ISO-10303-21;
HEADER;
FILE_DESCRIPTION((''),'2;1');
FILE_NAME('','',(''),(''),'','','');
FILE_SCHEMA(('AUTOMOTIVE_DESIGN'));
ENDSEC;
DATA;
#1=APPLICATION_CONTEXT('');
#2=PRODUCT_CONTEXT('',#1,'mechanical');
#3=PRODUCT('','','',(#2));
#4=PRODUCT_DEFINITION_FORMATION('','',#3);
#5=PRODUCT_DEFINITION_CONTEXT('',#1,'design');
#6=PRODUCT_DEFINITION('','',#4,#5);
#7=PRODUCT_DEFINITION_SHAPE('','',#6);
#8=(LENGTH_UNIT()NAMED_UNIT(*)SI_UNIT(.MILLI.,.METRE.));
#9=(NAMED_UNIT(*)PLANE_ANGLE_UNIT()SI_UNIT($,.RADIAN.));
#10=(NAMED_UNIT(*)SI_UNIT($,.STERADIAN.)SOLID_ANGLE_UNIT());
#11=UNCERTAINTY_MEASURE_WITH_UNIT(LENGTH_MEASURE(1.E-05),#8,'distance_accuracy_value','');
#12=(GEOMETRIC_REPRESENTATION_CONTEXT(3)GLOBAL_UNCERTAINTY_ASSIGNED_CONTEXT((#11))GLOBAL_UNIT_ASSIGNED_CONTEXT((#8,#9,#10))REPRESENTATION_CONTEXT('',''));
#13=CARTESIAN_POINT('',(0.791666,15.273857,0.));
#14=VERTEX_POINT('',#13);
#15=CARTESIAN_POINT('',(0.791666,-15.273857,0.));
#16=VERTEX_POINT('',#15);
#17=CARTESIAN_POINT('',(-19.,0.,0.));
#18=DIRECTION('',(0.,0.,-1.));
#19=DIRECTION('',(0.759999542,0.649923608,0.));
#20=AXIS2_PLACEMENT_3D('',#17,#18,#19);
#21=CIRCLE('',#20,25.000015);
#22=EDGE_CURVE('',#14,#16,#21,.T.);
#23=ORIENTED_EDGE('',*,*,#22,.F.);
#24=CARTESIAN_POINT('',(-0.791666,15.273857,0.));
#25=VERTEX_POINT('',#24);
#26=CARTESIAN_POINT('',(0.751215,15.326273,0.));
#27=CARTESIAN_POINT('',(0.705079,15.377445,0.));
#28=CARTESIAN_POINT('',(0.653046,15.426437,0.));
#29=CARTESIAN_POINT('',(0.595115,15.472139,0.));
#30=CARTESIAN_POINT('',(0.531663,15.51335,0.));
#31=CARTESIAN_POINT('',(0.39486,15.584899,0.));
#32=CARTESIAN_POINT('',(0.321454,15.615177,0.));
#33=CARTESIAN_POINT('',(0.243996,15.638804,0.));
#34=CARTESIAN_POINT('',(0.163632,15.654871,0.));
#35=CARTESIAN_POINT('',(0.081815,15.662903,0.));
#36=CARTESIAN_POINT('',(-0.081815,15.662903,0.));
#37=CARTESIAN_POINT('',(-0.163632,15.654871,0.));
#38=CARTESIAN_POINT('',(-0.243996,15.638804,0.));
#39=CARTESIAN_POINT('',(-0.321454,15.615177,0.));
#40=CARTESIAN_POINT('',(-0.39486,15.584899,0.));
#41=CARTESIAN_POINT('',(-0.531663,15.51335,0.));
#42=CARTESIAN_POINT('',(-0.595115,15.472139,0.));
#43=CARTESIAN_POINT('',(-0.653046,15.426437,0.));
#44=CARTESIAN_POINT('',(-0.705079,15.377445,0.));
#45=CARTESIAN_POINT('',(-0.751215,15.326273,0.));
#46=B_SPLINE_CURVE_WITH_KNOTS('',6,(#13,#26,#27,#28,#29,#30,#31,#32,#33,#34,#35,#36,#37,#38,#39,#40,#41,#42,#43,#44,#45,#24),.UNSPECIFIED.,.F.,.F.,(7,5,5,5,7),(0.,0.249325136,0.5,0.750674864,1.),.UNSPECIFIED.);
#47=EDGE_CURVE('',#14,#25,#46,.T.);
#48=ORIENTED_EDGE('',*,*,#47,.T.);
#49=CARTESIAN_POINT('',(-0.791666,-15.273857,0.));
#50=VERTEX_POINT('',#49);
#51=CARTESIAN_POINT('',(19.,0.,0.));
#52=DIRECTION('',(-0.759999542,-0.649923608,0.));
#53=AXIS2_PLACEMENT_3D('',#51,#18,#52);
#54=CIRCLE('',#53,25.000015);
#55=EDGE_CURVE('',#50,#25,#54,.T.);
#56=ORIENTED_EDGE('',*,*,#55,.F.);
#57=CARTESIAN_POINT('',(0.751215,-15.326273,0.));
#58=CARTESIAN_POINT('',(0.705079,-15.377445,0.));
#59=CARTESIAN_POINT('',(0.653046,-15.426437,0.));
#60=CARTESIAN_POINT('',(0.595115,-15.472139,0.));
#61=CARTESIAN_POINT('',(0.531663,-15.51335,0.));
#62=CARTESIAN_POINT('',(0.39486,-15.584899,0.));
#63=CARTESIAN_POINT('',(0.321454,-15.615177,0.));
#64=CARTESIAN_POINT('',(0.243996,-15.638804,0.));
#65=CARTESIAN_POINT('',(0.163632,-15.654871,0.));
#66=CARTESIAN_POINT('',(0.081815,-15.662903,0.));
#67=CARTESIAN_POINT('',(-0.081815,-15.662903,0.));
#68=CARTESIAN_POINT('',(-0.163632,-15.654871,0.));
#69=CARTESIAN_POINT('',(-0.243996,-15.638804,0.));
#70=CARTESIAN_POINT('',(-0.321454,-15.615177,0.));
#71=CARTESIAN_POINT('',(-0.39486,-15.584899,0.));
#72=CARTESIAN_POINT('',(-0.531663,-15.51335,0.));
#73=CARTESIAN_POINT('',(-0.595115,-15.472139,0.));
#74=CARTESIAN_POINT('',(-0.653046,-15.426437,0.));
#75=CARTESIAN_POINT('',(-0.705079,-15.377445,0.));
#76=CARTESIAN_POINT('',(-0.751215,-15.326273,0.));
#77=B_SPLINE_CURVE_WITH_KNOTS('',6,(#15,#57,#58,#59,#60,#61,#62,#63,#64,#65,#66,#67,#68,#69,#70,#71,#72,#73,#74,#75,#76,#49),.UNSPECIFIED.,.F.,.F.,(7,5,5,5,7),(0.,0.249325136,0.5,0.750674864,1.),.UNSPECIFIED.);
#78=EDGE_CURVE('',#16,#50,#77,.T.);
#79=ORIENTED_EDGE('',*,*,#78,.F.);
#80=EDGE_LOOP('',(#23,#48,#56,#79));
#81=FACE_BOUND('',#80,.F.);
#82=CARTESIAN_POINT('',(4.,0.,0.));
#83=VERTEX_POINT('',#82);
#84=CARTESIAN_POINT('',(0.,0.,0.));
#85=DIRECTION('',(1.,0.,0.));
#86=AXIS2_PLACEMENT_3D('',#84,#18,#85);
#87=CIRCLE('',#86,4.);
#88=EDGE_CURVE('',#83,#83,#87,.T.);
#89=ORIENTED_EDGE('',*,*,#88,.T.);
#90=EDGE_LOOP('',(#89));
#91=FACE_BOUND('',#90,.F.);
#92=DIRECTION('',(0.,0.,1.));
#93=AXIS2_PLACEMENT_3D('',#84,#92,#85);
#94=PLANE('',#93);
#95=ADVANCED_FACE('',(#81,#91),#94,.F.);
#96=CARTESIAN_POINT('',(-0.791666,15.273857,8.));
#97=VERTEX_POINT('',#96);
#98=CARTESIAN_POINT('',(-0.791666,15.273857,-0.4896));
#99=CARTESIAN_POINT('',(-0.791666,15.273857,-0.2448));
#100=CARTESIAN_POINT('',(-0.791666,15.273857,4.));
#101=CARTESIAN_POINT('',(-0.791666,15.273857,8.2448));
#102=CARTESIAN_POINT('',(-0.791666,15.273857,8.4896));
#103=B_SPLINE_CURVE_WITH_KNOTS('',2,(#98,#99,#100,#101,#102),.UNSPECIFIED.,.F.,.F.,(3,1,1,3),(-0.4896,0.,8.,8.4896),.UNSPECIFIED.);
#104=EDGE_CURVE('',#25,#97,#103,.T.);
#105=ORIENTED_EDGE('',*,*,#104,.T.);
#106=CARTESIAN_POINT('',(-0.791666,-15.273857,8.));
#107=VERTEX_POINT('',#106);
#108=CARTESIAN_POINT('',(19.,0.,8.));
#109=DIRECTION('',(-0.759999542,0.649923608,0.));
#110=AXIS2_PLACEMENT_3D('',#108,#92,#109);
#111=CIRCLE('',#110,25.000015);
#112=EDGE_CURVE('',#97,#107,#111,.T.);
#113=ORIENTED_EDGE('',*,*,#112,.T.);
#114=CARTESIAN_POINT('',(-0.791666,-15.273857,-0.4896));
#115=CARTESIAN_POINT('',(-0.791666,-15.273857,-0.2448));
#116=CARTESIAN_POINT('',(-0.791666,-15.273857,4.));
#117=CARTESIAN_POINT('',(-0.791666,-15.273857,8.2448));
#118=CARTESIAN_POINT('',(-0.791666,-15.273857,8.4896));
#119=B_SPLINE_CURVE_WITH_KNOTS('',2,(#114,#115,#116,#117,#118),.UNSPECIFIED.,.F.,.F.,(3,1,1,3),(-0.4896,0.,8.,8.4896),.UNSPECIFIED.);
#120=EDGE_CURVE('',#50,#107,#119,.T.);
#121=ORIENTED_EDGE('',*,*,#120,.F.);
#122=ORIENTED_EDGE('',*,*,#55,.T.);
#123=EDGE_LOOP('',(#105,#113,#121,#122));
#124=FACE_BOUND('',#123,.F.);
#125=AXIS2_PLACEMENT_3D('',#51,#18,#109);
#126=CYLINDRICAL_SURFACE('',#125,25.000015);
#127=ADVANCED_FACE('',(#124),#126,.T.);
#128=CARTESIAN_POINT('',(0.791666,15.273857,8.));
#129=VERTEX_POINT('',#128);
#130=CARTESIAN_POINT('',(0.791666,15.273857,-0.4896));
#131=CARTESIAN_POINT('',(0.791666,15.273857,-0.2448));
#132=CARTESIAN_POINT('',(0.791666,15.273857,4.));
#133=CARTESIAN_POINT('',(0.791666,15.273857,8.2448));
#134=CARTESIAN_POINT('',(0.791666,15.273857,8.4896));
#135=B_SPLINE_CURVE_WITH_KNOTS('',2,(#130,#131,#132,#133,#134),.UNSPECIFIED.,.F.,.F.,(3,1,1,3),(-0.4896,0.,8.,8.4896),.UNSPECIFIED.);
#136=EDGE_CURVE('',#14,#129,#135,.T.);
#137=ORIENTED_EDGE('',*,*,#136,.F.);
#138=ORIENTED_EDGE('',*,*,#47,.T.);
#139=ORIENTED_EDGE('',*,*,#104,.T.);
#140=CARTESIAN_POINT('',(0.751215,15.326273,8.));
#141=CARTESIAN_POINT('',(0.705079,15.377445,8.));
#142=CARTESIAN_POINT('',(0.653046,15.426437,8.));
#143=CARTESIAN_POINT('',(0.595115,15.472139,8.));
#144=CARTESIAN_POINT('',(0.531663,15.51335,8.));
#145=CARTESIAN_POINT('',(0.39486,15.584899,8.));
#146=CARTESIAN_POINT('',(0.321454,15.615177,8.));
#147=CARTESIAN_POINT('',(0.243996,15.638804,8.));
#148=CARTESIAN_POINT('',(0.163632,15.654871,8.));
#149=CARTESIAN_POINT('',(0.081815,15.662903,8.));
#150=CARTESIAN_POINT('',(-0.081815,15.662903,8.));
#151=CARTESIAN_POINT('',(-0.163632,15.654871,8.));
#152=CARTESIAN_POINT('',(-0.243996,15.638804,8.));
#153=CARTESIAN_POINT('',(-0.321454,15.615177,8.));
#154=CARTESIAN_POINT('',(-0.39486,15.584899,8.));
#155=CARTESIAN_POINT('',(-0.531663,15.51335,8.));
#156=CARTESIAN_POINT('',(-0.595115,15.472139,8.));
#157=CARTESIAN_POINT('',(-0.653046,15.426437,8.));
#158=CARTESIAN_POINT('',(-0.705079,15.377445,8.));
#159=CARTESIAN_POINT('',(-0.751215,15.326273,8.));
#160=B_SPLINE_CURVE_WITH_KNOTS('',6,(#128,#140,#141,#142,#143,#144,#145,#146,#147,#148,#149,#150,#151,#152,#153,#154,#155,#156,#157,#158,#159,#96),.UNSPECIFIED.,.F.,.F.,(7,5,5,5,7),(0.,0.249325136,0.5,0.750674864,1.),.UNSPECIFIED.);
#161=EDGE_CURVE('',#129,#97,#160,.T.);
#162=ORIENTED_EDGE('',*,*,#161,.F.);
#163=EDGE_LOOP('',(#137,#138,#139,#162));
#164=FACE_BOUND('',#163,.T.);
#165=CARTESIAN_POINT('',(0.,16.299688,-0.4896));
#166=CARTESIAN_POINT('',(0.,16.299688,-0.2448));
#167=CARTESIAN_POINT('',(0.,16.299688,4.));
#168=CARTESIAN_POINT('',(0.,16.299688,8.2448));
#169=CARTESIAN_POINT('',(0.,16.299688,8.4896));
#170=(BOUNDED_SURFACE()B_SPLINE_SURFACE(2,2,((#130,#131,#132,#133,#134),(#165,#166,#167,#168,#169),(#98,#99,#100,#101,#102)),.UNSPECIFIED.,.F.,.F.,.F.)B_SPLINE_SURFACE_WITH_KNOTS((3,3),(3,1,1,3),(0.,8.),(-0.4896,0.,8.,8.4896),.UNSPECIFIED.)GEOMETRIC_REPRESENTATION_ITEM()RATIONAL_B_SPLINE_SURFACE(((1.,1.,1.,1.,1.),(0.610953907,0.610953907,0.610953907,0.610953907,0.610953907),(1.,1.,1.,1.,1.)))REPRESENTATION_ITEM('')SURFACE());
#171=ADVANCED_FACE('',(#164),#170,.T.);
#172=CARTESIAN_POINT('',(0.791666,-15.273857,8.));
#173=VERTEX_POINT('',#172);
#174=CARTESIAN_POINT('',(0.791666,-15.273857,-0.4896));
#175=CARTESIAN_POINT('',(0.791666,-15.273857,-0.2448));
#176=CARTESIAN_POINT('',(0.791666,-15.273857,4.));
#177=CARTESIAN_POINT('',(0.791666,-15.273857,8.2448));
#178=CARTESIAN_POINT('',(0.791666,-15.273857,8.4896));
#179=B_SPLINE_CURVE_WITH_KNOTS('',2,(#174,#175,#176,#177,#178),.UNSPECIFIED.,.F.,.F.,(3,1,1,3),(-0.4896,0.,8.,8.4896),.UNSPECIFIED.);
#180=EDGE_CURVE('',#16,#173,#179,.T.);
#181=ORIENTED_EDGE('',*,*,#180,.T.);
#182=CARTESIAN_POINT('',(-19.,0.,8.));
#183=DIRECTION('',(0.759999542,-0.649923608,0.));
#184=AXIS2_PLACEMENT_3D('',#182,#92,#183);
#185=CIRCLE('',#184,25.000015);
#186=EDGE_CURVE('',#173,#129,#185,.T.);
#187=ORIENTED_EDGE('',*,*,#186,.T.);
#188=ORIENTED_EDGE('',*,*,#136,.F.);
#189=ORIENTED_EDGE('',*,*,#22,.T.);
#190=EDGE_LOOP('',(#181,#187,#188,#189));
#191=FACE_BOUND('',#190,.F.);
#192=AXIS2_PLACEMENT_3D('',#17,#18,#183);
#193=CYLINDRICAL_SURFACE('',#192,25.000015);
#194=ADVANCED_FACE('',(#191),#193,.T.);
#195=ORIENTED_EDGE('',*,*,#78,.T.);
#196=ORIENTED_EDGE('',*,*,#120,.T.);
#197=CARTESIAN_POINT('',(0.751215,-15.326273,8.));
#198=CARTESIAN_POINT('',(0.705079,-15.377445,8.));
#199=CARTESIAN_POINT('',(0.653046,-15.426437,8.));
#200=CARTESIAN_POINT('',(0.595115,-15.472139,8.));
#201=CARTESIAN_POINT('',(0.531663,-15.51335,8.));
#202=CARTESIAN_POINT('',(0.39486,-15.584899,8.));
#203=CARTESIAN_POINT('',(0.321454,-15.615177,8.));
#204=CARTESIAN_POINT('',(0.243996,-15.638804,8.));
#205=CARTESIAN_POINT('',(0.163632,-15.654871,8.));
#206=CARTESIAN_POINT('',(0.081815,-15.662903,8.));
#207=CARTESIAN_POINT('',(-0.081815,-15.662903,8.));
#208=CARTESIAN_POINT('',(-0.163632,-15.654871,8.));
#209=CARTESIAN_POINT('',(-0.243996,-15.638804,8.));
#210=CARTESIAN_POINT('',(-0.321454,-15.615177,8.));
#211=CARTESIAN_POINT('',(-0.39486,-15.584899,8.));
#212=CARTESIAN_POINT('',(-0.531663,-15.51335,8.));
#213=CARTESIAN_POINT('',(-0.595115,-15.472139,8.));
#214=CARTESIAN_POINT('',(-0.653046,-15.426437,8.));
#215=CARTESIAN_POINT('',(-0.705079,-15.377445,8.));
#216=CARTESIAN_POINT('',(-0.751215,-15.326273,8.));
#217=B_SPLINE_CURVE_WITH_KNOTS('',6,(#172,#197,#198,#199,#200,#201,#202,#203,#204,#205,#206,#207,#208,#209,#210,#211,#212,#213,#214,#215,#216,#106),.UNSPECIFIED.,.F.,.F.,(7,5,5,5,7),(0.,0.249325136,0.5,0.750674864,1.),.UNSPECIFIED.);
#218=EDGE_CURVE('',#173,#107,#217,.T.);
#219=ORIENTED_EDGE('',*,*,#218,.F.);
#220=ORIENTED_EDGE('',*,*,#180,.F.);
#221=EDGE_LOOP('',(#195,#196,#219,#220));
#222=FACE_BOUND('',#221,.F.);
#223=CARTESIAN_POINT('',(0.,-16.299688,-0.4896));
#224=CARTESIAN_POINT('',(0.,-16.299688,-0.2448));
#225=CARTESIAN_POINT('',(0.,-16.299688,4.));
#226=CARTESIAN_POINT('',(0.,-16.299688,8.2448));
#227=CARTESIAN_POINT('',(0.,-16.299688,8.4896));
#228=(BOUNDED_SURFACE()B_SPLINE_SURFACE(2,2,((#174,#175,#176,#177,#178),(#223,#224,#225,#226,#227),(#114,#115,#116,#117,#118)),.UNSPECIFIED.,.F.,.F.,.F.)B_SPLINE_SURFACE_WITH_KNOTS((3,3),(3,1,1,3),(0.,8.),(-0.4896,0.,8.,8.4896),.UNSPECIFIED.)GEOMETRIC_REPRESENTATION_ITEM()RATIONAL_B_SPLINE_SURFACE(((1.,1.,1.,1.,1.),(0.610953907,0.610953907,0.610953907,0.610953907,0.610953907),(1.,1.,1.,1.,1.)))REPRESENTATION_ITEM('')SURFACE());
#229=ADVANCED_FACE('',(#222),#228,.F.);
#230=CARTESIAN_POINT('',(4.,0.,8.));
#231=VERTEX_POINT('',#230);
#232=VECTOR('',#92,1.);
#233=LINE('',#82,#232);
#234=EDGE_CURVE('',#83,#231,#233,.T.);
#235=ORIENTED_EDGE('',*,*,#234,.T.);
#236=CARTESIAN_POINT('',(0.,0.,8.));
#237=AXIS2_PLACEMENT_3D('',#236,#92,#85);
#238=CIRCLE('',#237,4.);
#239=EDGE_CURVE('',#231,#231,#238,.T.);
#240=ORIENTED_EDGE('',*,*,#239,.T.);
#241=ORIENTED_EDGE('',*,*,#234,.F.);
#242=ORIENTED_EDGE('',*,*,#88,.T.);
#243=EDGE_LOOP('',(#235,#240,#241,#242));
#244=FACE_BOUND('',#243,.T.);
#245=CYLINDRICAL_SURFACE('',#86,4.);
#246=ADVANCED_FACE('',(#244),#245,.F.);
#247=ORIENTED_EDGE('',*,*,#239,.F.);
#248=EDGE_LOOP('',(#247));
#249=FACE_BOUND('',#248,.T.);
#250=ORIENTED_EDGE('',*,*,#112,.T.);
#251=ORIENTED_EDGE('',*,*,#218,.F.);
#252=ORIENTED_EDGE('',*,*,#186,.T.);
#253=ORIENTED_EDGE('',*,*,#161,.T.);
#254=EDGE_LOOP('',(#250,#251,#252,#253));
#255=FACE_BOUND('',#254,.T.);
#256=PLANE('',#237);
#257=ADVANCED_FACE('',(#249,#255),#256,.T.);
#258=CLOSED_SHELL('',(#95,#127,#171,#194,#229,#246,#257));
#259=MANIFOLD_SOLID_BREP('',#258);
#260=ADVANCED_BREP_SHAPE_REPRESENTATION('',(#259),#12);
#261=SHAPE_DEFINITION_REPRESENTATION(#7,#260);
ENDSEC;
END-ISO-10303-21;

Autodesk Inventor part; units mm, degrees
ref_plane "YZ Plane" through (0, 0, 0) normal (1, 0, 0) x (0, 1, 0)
ref_plane "XZ Plane" through (0, 0, 0) normal (0, 1, 0) x (-1, 0, 0)
ref_plane "XY Plane" through (0, 0, 0) normal (0, 0, 1) x (1, 0, 0)
sketch "Sketch1" plane through (0, 0, 0) normal (0, 0, 1) x (1, 0, 0)
  circle A0 centre (0, 0) radius 4
  circle A1 centre (0, 0) radius 6
  arc A2 (0, 16.2481) -> (0, -16.2481) centre (19, 0) ccw
  arc A3 (0, -16.2481) -> (0, 16.2481) centre (-19, 0) ccw
  line L0 (-26.6, 0) -> (26.6, 0) projected
  line L1 (0, -23.1325) -> (0, 25.0583) projected
  line L2 (0, 16.2481) -> (-1.2304, 17.6868)
  line L3 (0, 16.2481) -> (1.6469, 18.1739)
  dimension "d0" = 12
  dimension "d1" = 8
  dimension "d2" = 25
  dimension "d6" = 81.072
extrude "Extrusion1" add sketch "Sketch1" along normal blind 8 contours L0 A1 L1 A0 | A0 L1 A1 L0 | A0 L0 A1 L1 | L1 A1 L0 A0 | A3 L1 A1 | A1 L1 A3 | A1 A2 L1 | L1 A2 A1
fillet "Fillet1" radius 1 2 edges at (0, 16.2481, 4) (0, -16.2481, 4)
properties part number "LongCarriageGuide"
